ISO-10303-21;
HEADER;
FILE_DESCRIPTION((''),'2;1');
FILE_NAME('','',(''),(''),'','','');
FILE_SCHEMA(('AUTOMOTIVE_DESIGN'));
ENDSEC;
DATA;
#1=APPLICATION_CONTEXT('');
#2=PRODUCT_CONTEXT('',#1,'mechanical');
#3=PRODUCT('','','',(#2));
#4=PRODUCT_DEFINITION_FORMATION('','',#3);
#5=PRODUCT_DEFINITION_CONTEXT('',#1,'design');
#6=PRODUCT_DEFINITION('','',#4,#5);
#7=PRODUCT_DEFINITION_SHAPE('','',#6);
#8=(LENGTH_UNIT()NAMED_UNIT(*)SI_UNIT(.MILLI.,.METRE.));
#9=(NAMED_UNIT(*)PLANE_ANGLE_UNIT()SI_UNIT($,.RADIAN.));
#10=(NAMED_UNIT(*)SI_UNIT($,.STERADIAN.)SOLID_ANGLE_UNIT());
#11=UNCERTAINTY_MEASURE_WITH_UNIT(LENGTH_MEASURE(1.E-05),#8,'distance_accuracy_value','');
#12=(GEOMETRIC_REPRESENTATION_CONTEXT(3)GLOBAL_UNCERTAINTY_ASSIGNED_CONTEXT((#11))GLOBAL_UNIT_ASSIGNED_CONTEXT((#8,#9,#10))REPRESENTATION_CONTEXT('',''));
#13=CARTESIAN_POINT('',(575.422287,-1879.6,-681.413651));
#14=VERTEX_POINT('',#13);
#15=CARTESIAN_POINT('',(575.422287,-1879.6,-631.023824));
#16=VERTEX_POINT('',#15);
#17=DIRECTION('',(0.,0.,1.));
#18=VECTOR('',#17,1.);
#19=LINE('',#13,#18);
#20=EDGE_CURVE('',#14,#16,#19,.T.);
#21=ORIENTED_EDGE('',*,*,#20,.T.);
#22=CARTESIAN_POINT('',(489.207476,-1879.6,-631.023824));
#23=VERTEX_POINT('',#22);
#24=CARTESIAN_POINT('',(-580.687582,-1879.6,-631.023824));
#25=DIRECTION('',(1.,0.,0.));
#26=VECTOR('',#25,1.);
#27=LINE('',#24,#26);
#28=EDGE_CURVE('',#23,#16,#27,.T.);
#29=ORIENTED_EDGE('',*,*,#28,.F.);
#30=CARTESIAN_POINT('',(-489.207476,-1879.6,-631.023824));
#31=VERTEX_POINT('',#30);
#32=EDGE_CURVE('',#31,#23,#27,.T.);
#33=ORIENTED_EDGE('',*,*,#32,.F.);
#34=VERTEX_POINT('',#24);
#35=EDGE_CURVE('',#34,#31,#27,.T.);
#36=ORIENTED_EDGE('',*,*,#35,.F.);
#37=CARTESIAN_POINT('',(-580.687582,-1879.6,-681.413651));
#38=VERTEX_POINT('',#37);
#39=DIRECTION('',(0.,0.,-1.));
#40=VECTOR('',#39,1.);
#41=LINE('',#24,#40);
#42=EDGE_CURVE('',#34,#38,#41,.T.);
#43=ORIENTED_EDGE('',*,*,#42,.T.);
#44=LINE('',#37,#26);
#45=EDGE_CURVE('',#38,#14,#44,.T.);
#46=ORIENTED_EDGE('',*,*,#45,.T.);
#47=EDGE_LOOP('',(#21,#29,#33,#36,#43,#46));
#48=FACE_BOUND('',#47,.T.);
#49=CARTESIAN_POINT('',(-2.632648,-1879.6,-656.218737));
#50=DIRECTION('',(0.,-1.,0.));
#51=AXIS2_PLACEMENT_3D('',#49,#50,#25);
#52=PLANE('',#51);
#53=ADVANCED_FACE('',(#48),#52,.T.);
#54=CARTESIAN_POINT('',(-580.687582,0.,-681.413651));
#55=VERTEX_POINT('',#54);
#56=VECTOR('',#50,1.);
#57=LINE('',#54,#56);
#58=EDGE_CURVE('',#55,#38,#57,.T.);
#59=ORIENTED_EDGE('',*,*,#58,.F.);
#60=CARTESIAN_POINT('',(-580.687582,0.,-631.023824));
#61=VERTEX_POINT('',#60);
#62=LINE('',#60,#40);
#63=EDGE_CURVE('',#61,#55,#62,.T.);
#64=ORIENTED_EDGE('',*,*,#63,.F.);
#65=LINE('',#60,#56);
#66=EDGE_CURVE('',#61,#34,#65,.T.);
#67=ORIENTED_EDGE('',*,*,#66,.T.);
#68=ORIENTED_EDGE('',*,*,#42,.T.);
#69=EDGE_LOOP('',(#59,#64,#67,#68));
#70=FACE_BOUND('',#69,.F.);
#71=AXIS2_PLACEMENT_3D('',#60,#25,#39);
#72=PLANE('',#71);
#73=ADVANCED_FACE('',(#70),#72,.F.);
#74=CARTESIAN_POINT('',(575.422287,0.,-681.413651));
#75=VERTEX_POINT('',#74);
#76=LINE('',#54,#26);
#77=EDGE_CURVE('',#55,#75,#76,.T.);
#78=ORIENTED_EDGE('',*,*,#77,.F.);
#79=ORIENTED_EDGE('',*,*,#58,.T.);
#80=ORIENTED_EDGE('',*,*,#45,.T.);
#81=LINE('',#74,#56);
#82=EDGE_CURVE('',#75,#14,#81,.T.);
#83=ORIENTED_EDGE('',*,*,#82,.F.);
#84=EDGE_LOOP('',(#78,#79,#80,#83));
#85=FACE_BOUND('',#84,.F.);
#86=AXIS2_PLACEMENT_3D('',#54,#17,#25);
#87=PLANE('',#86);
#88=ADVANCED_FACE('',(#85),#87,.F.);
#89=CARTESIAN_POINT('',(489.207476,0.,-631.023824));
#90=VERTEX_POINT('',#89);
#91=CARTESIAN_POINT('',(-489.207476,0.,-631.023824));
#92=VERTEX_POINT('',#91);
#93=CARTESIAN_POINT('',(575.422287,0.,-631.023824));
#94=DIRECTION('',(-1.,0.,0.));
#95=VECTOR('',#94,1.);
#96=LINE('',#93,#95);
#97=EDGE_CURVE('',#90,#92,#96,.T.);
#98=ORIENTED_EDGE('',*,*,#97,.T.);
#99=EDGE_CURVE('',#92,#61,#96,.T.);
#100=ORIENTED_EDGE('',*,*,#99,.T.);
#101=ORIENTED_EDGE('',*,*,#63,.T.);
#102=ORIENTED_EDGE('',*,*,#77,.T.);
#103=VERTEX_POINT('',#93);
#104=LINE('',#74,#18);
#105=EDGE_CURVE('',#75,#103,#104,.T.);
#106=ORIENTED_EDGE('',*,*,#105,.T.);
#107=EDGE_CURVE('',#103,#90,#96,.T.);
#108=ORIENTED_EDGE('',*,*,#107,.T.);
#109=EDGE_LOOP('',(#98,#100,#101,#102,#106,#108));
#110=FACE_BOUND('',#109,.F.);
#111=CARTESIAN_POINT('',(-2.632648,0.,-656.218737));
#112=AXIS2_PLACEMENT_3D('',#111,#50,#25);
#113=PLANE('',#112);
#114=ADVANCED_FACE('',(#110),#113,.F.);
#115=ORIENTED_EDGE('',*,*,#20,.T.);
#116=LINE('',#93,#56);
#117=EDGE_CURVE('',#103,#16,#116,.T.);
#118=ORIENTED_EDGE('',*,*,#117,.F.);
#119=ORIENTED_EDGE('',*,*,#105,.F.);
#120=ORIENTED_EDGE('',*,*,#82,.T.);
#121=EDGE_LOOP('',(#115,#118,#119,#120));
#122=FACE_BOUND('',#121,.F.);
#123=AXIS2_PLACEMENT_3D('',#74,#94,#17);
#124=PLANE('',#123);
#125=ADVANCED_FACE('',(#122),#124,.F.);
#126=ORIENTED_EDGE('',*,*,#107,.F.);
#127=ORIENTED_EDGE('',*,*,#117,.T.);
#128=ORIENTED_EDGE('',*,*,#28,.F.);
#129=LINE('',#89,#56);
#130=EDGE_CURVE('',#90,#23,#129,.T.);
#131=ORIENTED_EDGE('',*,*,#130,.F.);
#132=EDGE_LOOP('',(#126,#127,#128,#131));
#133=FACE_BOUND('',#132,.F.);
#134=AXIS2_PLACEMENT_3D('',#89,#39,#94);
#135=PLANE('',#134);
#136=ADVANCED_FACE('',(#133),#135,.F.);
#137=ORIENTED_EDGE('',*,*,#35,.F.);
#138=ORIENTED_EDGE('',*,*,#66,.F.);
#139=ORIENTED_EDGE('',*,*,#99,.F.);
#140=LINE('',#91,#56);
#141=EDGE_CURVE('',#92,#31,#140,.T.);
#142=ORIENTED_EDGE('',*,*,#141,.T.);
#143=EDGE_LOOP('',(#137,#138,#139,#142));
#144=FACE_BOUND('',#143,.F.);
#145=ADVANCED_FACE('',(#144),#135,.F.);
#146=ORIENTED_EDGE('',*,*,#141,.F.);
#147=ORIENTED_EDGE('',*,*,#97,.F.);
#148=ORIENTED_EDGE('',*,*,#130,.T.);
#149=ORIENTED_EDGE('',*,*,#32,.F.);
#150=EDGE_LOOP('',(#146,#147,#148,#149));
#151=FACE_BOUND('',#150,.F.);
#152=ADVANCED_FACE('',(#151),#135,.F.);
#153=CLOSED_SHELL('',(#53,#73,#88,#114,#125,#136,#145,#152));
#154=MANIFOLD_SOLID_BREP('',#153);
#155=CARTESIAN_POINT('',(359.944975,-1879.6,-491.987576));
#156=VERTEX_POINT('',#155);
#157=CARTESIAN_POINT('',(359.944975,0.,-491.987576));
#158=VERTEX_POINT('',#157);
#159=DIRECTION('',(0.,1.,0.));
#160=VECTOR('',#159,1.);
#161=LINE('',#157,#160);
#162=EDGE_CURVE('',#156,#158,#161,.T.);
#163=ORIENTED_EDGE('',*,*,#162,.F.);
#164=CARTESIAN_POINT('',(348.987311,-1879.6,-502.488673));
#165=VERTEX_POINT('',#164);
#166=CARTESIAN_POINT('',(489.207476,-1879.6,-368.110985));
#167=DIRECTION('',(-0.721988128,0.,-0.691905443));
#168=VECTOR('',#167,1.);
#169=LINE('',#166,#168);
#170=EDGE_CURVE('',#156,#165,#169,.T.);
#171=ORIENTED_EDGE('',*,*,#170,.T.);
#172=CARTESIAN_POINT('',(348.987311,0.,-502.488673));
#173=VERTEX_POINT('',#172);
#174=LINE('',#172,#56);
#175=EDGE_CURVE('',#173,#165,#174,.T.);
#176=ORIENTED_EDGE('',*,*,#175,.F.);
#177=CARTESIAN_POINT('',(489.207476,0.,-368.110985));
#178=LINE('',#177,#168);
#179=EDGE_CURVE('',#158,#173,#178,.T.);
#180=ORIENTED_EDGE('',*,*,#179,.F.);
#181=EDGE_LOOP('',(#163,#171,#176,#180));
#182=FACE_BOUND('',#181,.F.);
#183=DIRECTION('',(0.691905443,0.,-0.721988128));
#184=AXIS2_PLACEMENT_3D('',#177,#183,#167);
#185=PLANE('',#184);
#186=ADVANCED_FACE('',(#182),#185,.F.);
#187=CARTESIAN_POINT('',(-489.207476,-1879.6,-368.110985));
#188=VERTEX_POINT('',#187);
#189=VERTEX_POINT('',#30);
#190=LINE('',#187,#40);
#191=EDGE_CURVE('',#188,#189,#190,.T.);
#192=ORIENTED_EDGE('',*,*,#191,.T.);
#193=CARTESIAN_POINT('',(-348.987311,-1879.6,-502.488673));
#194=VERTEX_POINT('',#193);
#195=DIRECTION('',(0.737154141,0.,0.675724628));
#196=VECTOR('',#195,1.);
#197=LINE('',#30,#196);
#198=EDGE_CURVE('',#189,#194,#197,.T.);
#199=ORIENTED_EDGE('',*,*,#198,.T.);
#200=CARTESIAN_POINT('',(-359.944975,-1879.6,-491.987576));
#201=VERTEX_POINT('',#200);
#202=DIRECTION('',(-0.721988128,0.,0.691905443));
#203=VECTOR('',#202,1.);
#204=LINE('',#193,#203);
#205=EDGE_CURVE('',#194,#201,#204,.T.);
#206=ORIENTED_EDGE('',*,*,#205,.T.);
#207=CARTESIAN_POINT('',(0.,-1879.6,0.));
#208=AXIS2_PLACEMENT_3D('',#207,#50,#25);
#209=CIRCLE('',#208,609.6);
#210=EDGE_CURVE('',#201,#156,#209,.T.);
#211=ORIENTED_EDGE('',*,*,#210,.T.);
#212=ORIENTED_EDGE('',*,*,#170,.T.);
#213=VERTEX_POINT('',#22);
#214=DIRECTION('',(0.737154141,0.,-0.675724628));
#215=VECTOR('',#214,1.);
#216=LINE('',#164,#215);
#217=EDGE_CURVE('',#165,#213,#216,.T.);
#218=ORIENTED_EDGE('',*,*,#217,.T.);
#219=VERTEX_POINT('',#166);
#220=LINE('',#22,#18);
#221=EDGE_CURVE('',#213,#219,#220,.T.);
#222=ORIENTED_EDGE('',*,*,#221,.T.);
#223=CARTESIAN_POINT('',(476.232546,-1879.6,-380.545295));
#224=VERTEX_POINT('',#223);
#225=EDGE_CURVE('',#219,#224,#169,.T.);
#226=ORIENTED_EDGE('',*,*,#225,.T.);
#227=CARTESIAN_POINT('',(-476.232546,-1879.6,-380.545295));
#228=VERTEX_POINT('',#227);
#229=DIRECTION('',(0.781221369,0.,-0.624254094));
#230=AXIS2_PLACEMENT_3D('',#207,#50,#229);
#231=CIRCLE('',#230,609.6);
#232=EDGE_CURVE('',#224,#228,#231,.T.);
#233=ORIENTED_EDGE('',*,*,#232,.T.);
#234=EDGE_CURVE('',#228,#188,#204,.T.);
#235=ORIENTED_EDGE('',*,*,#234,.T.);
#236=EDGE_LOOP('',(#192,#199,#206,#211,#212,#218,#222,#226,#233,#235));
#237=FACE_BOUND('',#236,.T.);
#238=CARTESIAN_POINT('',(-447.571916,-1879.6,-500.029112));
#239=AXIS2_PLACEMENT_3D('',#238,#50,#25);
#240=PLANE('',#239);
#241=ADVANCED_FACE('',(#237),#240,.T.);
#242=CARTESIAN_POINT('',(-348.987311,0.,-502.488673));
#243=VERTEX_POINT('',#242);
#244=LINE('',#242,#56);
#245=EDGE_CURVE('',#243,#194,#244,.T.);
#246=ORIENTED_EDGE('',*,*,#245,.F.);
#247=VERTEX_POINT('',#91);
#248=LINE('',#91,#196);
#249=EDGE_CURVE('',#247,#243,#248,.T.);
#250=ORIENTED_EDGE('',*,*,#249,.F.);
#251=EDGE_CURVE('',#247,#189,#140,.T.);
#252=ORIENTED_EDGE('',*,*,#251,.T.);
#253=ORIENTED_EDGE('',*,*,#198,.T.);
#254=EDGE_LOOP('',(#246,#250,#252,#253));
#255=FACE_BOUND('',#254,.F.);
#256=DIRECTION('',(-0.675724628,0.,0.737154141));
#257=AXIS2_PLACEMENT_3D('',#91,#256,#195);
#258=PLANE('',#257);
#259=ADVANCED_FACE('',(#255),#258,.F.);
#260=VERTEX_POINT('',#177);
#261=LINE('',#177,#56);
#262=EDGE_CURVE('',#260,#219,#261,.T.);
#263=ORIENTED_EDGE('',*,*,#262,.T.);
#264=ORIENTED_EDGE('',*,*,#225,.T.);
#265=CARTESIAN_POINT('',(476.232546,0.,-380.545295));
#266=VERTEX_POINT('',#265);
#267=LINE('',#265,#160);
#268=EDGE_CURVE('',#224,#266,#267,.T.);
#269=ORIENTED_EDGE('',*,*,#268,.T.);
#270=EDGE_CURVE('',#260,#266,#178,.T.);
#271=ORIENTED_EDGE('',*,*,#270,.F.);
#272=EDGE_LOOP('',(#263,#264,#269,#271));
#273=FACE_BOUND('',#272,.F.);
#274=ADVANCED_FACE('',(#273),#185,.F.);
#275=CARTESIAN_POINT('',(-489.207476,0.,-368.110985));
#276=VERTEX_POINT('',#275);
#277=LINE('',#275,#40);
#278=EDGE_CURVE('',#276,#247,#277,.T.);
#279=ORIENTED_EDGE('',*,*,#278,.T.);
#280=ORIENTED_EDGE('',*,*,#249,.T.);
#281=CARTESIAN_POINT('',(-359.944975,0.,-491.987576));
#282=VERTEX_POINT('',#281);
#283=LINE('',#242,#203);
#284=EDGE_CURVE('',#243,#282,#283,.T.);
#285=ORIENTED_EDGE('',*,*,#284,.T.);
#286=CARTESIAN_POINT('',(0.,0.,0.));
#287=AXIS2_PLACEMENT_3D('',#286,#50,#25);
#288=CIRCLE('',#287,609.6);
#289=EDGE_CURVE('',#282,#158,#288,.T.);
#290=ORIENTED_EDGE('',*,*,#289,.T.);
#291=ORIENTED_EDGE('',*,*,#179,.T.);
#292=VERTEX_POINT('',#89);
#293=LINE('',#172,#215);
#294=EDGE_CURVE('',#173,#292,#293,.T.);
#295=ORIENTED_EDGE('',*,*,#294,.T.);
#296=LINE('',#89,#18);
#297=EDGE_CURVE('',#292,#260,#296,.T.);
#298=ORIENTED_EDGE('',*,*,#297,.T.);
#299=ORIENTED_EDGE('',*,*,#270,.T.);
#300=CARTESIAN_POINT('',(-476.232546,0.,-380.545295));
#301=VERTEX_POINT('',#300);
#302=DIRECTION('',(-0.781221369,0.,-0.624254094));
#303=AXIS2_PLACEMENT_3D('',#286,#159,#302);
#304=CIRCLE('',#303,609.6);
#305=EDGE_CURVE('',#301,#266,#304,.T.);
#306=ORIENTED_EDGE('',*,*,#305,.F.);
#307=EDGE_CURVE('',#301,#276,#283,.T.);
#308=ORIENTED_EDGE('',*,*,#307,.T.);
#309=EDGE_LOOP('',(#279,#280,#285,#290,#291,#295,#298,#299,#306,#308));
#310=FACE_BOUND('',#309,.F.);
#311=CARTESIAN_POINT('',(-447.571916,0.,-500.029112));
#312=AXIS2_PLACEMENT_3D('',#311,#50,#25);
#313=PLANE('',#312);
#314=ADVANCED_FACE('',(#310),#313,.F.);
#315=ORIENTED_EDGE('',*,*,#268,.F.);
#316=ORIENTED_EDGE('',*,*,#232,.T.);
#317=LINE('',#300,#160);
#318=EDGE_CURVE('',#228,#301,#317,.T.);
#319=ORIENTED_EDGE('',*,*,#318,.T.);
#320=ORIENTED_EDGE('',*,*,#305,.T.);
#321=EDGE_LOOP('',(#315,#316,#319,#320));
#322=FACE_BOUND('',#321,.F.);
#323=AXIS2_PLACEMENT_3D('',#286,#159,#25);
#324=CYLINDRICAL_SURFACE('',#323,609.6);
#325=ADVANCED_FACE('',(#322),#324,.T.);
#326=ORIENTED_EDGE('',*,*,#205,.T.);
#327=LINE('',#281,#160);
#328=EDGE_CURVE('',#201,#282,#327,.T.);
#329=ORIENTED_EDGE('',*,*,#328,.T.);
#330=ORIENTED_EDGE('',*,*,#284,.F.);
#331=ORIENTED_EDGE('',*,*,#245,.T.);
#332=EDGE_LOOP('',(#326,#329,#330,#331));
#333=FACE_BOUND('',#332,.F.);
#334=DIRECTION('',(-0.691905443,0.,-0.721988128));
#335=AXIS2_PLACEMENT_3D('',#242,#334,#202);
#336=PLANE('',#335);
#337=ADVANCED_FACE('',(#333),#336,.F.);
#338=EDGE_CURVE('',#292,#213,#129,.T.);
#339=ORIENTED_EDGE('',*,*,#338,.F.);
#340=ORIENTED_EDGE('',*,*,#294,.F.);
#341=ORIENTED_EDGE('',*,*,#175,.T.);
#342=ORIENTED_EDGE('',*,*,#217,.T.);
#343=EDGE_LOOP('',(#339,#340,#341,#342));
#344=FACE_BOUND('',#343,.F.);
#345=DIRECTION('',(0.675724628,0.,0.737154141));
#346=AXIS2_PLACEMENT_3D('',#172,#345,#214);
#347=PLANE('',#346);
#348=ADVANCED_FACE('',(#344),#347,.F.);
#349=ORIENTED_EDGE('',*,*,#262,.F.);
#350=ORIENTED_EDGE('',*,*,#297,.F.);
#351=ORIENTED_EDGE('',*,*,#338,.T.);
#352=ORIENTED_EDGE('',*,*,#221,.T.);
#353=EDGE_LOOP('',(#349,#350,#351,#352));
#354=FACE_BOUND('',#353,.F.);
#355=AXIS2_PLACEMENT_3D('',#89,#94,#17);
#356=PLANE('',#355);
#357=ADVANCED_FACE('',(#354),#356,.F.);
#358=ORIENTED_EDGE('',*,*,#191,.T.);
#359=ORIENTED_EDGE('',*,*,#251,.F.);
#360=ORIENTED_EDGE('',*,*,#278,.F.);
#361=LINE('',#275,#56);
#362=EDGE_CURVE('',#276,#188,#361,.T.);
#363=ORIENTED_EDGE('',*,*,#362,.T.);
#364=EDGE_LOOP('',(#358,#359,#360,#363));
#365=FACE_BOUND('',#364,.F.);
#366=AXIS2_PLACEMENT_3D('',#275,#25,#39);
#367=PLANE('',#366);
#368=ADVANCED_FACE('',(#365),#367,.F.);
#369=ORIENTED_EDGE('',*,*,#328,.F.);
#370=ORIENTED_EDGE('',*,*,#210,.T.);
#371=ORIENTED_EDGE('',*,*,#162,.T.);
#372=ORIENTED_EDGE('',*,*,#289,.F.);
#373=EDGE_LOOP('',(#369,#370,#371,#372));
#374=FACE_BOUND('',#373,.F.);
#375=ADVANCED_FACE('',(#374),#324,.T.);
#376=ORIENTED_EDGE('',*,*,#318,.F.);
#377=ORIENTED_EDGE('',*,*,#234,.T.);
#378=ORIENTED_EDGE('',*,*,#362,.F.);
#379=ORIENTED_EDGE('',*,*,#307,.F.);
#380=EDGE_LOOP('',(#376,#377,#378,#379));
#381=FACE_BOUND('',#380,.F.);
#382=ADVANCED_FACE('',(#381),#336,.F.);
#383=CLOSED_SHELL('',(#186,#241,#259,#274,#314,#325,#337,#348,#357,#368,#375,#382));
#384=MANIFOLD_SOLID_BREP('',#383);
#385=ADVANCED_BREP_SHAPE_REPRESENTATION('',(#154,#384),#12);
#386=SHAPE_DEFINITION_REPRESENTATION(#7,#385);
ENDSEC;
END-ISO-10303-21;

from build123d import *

# Parameters (mm, degrees)
F0_R     = 609.6
F1_DEPTH = 1879.6
F3_DEPTH = 1879.6


with BuildPart() as f1:
    # F0 (on Front) → F1 (new body)
    with BuildSketch(Plane.XZ):
        Circle(F0_R)
    extrude(amount=F1_DEPTH)

    # F2 (on Front) → F3 (join)
    with BuildSketch(Plane.XZ):
        Polygon((-348.987311, -502.488673), (-489.207476, -368.110985), (-489.207476, -631.023824), align=None)
        Polygon((348.987311, -502.488673), (489.207476, -631.023824), (489.207476, -368.110985), align=None)
        Polygon((489.207476, -631.023824), (-489.207476, -631.023824), (-580.687582, -631.023824), (-580.687582, -681.413651), (575.422287, -681.413651), (575.422287, -631.023824), align=None)
    extrude(amount=F3_DEPTH)


solid = f1.part
